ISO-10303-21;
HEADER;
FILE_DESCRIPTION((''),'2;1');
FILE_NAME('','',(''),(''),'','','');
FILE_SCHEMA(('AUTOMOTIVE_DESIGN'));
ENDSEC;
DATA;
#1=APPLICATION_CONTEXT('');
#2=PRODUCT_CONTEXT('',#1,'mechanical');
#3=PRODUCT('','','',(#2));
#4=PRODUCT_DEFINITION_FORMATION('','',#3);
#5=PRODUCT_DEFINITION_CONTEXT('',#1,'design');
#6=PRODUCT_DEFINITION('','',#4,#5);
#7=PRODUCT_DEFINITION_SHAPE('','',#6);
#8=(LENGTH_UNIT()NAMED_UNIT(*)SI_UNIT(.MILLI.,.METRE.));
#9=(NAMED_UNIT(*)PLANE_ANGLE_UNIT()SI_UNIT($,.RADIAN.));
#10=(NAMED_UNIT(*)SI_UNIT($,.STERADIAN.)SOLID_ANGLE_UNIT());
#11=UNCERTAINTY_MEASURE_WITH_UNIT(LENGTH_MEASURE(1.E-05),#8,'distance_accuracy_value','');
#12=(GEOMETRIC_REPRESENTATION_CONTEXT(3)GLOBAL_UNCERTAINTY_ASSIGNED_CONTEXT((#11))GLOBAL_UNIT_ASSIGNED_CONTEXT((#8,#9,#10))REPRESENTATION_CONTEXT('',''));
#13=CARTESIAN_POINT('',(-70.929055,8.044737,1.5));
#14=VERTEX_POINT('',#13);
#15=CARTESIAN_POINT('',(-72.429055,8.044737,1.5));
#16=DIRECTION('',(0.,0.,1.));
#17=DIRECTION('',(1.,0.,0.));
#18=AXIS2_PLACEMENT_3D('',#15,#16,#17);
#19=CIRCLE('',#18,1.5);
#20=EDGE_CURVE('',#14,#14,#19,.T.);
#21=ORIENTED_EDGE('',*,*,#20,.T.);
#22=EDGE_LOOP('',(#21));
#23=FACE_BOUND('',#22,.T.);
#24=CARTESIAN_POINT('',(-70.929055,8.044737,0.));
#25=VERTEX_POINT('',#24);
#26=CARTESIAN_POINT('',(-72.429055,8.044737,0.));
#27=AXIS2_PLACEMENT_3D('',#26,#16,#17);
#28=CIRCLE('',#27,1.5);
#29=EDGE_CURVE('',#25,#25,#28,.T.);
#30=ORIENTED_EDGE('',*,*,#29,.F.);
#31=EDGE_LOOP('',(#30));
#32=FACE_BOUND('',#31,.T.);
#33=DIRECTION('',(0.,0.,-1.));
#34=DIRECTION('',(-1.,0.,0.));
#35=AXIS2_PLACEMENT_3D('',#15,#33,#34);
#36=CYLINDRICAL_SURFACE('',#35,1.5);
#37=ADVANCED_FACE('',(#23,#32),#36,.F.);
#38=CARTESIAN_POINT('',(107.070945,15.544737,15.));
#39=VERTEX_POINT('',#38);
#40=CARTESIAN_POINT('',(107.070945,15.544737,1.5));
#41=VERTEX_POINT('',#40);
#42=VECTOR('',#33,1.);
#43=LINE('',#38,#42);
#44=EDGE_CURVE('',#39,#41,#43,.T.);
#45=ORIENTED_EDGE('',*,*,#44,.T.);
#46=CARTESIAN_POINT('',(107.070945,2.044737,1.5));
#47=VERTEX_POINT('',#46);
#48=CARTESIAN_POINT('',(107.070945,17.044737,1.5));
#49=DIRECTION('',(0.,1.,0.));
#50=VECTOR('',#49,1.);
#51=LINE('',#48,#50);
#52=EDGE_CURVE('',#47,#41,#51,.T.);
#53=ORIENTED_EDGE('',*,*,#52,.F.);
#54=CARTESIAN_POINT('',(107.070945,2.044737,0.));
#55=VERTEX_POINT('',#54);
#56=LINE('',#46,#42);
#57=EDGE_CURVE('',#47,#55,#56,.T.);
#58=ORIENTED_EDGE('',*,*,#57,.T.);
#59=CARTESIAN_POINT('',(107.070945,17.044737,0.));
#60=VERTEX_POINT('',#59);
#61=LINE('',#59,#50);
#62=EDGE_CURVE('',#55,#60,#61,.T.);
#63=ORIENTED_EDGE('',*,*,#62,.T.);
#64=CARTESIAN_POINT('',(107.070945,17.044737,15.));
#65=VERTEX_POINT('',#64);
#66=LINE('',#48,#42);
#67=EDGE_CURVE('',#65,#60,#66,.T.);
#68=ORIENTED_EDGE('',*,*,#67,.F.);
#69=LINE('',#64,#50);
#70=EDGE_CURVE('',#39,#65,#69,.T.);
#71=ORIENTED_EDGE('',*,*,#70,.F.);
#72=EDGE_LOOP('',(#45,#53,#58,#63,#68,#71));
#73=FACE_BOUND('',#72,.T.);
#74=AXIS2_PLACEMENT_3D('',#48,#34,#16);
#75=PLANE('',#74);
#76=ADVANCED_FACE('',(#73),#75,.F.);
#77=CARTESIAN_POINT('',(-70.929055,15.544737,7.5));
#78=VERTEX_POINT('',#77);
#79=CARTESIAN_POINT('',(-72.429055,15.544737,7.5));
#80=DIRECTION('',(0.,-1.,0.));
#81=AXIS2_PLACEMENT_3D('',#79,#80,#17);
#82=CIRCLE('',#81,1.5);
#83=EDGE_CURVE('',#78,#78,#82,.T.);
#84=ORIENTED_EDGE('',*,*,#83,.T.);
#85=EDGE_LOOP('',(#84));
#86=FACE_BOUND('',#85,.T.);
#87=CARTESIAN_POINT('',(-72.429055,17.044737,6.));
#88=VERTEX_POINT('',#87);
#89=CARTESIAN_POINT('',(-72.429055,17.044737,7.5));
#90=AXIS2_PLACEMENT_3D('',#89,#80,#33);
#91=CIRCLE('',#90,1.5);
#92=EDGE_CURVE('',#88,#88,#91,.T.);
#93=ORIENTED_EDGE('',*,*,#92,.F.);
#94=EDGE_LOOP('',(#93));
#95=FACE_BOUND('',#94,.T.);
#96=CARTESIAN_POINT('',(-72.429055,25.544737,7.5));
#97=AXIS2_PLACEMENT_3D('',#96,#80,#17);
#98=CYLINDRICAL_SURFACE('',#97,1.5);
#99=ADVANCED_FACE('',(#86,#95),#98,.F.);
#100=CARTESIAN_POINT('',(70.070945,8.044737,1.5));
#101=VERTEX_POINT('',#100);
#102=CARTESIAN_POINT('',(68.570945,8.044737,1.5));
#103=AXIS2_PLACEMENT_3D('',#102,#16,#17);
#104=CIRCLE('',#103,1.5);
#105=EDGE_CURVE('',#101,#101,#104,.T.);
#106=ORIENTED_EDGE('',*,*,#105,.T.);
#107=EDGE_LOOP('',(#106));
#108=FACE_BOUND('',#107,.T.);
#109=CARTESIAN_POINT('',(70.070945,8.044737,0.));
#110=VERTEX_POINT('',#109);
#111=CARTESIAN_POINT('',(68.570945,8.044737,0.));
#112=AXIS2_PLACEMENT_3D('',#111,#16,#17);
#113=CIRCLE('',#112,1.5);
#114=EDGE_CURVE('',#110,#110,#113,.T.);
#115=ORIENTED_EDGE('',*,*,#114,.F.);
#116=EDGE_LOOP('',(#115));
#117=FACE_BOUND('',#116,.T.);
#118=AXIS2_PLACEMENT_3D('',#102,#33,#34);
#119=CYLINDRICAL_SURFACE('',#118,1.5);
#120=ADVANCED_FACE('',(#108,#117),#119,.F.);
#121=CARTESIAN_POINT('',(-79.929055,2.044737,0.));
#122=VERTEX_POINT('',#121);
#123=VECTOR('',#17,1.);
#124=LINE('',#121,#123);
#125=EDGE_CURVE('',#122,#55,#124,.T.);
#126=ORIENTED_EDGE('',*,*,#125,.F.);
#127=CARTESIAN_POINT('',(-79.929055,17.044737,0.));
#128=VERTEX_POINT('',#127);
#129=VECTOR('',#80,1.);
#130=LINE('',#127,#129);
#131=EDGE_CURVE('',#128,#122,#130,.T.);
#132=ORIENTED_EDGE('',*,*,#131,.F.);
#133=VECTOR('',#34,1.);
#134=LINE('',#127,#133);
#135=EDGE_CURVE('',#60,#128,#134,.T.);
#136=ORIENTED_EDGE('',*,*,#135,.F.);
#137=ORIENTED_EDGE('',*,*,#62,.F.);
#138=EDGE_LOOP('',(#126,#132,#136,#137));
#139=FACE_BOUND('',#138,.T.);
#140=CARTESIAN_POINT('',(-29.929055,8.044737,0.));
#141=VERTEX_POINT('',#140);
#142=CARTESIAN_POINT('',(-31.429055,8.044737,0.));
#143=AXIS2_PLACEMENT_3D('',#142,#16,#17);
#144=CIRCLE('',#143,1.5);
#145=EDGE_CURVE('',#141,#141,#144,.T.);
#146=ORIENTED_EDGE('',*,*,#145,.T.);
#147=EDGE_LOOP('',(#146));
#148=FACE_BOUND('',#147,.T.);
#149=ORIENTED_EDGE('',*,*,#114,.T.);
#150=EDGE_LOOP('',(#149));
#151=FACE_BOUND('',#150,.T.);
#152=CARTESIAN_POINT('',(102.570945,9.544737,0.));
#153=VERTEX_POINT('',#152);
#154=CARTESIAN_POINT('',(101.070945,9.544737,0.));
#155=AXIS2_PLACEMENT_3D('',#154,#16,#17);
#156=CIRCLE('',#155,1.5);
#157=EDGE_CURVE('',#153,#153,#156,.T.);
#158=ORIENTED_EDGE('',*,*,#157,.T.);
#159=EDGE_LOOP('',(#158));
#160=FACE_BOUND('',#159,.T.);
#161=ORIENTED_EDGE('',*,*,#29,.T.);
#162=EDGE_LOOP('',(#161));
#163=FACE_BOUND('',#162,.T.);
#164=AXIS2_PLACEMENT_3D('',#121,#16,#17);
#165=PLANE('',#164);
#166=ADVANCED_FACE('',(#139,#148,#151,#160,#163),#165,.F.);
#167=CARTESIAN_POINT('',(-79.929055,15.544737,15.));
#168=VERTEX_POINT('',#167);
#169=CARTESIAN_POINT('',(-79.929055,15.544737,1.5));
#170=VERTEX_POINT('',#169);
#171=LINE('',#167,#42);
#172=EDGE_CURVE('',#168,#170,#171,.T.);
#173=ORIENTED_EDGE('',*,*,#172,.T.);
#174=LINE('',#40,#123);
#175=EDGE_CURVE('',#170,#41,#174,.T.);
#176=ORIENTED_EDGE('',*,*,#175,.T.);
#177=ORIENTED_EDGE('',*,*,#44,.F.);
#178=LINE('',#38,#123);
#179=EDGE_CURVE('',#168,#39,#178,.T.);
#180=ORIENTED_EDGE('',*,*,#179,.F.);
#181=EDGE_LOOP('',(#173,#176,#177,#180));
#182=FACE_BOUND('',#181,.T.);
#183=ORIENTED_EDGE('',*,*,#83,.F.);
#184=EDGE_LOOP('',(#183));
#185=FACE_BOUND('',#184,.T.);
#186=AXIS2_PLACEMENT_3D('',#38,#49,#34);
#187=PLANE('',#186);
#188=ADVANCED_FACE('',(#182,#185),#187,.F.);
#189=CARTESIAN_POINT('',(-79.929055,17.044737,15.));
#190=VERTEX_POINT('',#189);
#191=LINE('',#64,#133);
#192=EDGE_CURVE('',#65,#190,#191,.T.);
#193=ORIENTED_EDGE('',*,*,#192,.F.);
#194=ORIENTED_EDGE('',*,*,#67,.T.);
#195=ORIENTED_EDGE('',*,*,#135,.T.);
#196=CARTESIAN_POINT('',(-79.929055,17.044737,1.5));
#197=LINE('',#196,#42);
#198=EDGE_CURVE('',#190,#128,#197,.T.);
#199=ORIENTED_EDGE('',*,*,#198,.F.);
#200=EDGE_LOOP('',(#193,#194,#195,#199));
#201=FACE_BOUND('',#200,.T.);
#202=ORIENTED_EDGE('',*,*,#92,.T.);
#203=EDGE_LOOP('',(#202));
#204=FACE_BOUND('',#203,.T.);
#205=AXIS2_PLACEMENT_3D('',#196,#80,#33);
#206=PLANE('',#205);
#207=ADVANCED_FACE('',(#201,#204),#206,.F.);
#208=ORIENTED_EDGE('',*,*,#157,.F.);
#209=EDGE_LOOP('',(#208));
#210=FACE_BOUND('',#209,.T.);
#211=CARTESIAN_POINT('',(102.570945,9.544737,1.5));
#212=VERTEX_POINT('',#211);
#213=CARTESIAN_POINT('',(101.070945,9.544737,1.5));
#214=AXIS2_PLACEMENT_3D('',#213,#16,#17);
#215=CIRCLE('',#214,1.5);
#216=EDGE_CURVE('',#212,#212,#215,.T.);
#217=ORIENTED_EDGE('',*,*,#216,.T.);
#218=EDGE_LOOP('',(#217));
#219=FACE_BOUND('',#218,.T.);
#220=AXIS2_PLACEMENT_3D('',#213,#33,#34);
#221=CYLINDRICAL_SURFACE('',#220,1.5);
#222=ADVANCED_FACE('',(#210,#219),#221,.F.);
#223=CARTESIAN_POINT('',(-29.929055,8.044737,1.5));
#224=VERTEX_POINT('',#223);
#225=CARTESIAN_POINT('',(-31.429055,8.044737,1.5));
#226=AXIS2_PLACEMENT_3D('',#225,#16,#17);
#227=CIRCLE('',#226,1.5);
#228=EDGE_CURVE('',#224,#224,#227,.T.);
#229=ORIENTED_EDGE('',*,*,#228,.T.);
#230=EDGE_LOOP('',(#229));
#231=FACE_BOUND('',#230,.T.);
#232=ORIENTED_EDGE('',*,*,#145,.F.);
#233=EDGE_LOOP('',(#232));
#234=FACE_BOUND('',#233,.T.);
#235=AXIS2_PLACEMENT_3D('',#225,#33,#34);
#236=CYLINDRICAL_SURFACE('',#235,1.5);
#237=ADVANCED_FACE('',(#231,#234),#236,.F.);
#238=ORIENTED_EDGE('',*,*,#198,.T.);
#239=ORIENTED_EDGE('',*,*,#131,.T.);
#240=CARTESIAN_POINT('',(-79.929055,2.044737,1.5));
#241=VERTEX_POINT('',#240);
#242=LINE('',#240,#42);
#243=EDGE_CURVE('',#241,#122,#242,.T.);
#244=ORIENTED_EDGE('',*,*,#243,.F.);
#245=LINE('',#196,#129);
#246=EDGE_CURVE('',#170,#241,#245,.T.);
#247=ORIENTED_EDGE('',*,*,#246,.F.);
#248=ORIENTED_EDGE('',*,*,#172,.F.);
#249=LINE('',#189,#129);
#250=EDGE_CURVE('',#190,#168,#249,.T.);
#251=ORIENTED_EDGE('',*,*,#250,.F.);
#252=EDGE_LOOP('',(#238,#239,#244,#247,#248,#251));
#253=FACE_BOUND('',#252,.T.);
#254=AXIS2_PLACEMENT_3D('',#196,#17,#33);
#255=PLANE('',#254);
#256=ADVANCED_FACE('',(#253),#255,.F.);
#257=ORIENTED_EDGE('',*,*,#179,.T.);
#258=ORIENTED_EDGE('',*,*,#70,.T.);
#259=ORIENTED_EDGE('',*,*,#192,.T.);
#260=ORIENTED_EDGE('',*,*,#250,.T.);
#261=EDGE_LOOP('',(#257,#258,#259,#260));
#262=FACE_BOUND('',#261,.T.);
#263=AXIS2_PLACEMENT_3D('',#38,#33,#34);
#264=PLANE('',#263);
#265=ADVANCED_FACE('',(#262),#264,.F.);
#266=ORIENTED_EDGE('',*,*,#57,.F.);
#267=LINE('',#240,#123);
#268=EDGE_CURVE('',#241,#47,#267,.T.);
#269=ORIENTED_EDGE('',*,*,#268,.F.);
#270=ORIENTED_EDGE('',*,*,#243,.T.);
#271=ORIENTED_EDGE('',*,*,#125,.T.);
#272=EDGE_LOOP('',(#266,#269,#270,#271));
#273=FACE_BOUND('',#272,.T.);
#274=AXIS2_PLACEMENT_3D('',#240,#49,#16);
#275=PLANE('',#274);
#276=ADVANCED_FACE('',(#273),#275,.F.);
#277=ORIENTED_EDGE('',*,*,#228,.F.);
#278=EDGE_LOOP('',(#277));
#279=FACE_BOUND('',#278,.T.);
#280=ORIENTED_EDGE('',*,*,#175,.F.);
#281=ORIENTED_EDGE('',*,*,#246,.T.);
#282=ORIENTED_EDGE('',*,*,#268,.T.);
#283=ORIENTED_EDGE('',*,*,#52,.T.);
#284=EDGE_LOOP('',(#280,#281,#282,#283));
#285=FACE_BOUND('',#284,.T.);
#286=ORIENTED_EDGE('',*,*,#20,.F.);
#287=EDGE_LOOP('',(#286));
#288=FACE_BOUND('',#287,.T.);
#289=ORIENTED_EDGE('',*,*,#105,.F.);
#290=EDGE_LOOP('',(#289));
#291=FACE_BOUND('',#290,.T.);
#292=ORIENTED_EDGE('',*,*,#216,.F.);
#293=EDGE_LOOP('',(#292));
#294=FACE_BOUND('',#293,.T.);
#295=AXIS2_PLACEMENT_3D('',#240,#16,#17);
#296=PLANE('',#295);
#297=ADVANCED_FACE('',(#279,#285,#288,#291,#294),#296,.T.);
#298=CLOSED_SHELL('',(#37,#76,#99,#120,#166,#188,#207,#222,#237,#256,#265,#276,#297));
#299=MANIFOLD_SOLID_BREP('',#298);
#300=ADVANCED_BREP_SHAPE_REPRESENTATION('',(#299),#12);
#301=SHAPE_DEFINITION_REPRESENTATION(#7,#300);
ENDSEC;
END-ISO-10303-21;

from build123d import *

# Parameters (mm, degrees)
ESQUISSE1_W      = 187
ESQUISSE1_H      = 15
ESQUISSE1_R      = 1.5
EXTRUSION1_DEPTH = 1.5
ESQUISSE3_W      = 187
ESQUISSE3_H      = 1.5
EXTRUSION3_DEPTH = 13.5
ESQUISSE4_R      = 1.5
EXTRUSION4_DEPTH = 10


with BuildPart() as part:
    # Esquisse1 → Extrusion1 (new body)
    with BuildSketch(Plane.XY):
        with Locations((13.570945199, 9.544736842)):
            Rectangle(ESQUISSE1_W, ESQUISSE1_H)
        with Locations((101.070945199, 9.544736842)):
            Circle(ESQUISSE1_R, mode=Mode.SUBTRACT)
        with Locations((-72.429054801, 8.044736842)):
            Circle(ESQUISSE1_R, mode=Mode.SUBTRACT)
        with Locations((-31.429054801, 8.044736842)):
            Circle(ESQUISSE1_R, mode=Mode.SUBTRACT)
        with Locations((68.570945199, 8.044736842)):
            Circle(ESQUISSE1_R, mode=Mode.SUBTRACT)
    extrude(amount=EXTRUSION1_DEPTH)

    # Esquisse3 → Extrusion3 (add)
    with BuildSketch(Plane.XY.offset(1.5)):
        with Locations((13.570945199, 16.294736842)):
            Rectangle(ESQUISSE3_W, ESQUISSE3_H)
    extrude(amount=EXTRUSION3_DEPTH)

    # Esquisse4 → Extrusion4 (cut)
    with BuildSketch(Plane.XZ.offset(-15.544736842)):
        with Locations((-72.429054801, 7.5)):
            Circle(ESQUISSE4_R)
    extrude(amount=-EXTRUSION4_DEPTH, mode=Mode.SUBTRACT)


solid = part.part
